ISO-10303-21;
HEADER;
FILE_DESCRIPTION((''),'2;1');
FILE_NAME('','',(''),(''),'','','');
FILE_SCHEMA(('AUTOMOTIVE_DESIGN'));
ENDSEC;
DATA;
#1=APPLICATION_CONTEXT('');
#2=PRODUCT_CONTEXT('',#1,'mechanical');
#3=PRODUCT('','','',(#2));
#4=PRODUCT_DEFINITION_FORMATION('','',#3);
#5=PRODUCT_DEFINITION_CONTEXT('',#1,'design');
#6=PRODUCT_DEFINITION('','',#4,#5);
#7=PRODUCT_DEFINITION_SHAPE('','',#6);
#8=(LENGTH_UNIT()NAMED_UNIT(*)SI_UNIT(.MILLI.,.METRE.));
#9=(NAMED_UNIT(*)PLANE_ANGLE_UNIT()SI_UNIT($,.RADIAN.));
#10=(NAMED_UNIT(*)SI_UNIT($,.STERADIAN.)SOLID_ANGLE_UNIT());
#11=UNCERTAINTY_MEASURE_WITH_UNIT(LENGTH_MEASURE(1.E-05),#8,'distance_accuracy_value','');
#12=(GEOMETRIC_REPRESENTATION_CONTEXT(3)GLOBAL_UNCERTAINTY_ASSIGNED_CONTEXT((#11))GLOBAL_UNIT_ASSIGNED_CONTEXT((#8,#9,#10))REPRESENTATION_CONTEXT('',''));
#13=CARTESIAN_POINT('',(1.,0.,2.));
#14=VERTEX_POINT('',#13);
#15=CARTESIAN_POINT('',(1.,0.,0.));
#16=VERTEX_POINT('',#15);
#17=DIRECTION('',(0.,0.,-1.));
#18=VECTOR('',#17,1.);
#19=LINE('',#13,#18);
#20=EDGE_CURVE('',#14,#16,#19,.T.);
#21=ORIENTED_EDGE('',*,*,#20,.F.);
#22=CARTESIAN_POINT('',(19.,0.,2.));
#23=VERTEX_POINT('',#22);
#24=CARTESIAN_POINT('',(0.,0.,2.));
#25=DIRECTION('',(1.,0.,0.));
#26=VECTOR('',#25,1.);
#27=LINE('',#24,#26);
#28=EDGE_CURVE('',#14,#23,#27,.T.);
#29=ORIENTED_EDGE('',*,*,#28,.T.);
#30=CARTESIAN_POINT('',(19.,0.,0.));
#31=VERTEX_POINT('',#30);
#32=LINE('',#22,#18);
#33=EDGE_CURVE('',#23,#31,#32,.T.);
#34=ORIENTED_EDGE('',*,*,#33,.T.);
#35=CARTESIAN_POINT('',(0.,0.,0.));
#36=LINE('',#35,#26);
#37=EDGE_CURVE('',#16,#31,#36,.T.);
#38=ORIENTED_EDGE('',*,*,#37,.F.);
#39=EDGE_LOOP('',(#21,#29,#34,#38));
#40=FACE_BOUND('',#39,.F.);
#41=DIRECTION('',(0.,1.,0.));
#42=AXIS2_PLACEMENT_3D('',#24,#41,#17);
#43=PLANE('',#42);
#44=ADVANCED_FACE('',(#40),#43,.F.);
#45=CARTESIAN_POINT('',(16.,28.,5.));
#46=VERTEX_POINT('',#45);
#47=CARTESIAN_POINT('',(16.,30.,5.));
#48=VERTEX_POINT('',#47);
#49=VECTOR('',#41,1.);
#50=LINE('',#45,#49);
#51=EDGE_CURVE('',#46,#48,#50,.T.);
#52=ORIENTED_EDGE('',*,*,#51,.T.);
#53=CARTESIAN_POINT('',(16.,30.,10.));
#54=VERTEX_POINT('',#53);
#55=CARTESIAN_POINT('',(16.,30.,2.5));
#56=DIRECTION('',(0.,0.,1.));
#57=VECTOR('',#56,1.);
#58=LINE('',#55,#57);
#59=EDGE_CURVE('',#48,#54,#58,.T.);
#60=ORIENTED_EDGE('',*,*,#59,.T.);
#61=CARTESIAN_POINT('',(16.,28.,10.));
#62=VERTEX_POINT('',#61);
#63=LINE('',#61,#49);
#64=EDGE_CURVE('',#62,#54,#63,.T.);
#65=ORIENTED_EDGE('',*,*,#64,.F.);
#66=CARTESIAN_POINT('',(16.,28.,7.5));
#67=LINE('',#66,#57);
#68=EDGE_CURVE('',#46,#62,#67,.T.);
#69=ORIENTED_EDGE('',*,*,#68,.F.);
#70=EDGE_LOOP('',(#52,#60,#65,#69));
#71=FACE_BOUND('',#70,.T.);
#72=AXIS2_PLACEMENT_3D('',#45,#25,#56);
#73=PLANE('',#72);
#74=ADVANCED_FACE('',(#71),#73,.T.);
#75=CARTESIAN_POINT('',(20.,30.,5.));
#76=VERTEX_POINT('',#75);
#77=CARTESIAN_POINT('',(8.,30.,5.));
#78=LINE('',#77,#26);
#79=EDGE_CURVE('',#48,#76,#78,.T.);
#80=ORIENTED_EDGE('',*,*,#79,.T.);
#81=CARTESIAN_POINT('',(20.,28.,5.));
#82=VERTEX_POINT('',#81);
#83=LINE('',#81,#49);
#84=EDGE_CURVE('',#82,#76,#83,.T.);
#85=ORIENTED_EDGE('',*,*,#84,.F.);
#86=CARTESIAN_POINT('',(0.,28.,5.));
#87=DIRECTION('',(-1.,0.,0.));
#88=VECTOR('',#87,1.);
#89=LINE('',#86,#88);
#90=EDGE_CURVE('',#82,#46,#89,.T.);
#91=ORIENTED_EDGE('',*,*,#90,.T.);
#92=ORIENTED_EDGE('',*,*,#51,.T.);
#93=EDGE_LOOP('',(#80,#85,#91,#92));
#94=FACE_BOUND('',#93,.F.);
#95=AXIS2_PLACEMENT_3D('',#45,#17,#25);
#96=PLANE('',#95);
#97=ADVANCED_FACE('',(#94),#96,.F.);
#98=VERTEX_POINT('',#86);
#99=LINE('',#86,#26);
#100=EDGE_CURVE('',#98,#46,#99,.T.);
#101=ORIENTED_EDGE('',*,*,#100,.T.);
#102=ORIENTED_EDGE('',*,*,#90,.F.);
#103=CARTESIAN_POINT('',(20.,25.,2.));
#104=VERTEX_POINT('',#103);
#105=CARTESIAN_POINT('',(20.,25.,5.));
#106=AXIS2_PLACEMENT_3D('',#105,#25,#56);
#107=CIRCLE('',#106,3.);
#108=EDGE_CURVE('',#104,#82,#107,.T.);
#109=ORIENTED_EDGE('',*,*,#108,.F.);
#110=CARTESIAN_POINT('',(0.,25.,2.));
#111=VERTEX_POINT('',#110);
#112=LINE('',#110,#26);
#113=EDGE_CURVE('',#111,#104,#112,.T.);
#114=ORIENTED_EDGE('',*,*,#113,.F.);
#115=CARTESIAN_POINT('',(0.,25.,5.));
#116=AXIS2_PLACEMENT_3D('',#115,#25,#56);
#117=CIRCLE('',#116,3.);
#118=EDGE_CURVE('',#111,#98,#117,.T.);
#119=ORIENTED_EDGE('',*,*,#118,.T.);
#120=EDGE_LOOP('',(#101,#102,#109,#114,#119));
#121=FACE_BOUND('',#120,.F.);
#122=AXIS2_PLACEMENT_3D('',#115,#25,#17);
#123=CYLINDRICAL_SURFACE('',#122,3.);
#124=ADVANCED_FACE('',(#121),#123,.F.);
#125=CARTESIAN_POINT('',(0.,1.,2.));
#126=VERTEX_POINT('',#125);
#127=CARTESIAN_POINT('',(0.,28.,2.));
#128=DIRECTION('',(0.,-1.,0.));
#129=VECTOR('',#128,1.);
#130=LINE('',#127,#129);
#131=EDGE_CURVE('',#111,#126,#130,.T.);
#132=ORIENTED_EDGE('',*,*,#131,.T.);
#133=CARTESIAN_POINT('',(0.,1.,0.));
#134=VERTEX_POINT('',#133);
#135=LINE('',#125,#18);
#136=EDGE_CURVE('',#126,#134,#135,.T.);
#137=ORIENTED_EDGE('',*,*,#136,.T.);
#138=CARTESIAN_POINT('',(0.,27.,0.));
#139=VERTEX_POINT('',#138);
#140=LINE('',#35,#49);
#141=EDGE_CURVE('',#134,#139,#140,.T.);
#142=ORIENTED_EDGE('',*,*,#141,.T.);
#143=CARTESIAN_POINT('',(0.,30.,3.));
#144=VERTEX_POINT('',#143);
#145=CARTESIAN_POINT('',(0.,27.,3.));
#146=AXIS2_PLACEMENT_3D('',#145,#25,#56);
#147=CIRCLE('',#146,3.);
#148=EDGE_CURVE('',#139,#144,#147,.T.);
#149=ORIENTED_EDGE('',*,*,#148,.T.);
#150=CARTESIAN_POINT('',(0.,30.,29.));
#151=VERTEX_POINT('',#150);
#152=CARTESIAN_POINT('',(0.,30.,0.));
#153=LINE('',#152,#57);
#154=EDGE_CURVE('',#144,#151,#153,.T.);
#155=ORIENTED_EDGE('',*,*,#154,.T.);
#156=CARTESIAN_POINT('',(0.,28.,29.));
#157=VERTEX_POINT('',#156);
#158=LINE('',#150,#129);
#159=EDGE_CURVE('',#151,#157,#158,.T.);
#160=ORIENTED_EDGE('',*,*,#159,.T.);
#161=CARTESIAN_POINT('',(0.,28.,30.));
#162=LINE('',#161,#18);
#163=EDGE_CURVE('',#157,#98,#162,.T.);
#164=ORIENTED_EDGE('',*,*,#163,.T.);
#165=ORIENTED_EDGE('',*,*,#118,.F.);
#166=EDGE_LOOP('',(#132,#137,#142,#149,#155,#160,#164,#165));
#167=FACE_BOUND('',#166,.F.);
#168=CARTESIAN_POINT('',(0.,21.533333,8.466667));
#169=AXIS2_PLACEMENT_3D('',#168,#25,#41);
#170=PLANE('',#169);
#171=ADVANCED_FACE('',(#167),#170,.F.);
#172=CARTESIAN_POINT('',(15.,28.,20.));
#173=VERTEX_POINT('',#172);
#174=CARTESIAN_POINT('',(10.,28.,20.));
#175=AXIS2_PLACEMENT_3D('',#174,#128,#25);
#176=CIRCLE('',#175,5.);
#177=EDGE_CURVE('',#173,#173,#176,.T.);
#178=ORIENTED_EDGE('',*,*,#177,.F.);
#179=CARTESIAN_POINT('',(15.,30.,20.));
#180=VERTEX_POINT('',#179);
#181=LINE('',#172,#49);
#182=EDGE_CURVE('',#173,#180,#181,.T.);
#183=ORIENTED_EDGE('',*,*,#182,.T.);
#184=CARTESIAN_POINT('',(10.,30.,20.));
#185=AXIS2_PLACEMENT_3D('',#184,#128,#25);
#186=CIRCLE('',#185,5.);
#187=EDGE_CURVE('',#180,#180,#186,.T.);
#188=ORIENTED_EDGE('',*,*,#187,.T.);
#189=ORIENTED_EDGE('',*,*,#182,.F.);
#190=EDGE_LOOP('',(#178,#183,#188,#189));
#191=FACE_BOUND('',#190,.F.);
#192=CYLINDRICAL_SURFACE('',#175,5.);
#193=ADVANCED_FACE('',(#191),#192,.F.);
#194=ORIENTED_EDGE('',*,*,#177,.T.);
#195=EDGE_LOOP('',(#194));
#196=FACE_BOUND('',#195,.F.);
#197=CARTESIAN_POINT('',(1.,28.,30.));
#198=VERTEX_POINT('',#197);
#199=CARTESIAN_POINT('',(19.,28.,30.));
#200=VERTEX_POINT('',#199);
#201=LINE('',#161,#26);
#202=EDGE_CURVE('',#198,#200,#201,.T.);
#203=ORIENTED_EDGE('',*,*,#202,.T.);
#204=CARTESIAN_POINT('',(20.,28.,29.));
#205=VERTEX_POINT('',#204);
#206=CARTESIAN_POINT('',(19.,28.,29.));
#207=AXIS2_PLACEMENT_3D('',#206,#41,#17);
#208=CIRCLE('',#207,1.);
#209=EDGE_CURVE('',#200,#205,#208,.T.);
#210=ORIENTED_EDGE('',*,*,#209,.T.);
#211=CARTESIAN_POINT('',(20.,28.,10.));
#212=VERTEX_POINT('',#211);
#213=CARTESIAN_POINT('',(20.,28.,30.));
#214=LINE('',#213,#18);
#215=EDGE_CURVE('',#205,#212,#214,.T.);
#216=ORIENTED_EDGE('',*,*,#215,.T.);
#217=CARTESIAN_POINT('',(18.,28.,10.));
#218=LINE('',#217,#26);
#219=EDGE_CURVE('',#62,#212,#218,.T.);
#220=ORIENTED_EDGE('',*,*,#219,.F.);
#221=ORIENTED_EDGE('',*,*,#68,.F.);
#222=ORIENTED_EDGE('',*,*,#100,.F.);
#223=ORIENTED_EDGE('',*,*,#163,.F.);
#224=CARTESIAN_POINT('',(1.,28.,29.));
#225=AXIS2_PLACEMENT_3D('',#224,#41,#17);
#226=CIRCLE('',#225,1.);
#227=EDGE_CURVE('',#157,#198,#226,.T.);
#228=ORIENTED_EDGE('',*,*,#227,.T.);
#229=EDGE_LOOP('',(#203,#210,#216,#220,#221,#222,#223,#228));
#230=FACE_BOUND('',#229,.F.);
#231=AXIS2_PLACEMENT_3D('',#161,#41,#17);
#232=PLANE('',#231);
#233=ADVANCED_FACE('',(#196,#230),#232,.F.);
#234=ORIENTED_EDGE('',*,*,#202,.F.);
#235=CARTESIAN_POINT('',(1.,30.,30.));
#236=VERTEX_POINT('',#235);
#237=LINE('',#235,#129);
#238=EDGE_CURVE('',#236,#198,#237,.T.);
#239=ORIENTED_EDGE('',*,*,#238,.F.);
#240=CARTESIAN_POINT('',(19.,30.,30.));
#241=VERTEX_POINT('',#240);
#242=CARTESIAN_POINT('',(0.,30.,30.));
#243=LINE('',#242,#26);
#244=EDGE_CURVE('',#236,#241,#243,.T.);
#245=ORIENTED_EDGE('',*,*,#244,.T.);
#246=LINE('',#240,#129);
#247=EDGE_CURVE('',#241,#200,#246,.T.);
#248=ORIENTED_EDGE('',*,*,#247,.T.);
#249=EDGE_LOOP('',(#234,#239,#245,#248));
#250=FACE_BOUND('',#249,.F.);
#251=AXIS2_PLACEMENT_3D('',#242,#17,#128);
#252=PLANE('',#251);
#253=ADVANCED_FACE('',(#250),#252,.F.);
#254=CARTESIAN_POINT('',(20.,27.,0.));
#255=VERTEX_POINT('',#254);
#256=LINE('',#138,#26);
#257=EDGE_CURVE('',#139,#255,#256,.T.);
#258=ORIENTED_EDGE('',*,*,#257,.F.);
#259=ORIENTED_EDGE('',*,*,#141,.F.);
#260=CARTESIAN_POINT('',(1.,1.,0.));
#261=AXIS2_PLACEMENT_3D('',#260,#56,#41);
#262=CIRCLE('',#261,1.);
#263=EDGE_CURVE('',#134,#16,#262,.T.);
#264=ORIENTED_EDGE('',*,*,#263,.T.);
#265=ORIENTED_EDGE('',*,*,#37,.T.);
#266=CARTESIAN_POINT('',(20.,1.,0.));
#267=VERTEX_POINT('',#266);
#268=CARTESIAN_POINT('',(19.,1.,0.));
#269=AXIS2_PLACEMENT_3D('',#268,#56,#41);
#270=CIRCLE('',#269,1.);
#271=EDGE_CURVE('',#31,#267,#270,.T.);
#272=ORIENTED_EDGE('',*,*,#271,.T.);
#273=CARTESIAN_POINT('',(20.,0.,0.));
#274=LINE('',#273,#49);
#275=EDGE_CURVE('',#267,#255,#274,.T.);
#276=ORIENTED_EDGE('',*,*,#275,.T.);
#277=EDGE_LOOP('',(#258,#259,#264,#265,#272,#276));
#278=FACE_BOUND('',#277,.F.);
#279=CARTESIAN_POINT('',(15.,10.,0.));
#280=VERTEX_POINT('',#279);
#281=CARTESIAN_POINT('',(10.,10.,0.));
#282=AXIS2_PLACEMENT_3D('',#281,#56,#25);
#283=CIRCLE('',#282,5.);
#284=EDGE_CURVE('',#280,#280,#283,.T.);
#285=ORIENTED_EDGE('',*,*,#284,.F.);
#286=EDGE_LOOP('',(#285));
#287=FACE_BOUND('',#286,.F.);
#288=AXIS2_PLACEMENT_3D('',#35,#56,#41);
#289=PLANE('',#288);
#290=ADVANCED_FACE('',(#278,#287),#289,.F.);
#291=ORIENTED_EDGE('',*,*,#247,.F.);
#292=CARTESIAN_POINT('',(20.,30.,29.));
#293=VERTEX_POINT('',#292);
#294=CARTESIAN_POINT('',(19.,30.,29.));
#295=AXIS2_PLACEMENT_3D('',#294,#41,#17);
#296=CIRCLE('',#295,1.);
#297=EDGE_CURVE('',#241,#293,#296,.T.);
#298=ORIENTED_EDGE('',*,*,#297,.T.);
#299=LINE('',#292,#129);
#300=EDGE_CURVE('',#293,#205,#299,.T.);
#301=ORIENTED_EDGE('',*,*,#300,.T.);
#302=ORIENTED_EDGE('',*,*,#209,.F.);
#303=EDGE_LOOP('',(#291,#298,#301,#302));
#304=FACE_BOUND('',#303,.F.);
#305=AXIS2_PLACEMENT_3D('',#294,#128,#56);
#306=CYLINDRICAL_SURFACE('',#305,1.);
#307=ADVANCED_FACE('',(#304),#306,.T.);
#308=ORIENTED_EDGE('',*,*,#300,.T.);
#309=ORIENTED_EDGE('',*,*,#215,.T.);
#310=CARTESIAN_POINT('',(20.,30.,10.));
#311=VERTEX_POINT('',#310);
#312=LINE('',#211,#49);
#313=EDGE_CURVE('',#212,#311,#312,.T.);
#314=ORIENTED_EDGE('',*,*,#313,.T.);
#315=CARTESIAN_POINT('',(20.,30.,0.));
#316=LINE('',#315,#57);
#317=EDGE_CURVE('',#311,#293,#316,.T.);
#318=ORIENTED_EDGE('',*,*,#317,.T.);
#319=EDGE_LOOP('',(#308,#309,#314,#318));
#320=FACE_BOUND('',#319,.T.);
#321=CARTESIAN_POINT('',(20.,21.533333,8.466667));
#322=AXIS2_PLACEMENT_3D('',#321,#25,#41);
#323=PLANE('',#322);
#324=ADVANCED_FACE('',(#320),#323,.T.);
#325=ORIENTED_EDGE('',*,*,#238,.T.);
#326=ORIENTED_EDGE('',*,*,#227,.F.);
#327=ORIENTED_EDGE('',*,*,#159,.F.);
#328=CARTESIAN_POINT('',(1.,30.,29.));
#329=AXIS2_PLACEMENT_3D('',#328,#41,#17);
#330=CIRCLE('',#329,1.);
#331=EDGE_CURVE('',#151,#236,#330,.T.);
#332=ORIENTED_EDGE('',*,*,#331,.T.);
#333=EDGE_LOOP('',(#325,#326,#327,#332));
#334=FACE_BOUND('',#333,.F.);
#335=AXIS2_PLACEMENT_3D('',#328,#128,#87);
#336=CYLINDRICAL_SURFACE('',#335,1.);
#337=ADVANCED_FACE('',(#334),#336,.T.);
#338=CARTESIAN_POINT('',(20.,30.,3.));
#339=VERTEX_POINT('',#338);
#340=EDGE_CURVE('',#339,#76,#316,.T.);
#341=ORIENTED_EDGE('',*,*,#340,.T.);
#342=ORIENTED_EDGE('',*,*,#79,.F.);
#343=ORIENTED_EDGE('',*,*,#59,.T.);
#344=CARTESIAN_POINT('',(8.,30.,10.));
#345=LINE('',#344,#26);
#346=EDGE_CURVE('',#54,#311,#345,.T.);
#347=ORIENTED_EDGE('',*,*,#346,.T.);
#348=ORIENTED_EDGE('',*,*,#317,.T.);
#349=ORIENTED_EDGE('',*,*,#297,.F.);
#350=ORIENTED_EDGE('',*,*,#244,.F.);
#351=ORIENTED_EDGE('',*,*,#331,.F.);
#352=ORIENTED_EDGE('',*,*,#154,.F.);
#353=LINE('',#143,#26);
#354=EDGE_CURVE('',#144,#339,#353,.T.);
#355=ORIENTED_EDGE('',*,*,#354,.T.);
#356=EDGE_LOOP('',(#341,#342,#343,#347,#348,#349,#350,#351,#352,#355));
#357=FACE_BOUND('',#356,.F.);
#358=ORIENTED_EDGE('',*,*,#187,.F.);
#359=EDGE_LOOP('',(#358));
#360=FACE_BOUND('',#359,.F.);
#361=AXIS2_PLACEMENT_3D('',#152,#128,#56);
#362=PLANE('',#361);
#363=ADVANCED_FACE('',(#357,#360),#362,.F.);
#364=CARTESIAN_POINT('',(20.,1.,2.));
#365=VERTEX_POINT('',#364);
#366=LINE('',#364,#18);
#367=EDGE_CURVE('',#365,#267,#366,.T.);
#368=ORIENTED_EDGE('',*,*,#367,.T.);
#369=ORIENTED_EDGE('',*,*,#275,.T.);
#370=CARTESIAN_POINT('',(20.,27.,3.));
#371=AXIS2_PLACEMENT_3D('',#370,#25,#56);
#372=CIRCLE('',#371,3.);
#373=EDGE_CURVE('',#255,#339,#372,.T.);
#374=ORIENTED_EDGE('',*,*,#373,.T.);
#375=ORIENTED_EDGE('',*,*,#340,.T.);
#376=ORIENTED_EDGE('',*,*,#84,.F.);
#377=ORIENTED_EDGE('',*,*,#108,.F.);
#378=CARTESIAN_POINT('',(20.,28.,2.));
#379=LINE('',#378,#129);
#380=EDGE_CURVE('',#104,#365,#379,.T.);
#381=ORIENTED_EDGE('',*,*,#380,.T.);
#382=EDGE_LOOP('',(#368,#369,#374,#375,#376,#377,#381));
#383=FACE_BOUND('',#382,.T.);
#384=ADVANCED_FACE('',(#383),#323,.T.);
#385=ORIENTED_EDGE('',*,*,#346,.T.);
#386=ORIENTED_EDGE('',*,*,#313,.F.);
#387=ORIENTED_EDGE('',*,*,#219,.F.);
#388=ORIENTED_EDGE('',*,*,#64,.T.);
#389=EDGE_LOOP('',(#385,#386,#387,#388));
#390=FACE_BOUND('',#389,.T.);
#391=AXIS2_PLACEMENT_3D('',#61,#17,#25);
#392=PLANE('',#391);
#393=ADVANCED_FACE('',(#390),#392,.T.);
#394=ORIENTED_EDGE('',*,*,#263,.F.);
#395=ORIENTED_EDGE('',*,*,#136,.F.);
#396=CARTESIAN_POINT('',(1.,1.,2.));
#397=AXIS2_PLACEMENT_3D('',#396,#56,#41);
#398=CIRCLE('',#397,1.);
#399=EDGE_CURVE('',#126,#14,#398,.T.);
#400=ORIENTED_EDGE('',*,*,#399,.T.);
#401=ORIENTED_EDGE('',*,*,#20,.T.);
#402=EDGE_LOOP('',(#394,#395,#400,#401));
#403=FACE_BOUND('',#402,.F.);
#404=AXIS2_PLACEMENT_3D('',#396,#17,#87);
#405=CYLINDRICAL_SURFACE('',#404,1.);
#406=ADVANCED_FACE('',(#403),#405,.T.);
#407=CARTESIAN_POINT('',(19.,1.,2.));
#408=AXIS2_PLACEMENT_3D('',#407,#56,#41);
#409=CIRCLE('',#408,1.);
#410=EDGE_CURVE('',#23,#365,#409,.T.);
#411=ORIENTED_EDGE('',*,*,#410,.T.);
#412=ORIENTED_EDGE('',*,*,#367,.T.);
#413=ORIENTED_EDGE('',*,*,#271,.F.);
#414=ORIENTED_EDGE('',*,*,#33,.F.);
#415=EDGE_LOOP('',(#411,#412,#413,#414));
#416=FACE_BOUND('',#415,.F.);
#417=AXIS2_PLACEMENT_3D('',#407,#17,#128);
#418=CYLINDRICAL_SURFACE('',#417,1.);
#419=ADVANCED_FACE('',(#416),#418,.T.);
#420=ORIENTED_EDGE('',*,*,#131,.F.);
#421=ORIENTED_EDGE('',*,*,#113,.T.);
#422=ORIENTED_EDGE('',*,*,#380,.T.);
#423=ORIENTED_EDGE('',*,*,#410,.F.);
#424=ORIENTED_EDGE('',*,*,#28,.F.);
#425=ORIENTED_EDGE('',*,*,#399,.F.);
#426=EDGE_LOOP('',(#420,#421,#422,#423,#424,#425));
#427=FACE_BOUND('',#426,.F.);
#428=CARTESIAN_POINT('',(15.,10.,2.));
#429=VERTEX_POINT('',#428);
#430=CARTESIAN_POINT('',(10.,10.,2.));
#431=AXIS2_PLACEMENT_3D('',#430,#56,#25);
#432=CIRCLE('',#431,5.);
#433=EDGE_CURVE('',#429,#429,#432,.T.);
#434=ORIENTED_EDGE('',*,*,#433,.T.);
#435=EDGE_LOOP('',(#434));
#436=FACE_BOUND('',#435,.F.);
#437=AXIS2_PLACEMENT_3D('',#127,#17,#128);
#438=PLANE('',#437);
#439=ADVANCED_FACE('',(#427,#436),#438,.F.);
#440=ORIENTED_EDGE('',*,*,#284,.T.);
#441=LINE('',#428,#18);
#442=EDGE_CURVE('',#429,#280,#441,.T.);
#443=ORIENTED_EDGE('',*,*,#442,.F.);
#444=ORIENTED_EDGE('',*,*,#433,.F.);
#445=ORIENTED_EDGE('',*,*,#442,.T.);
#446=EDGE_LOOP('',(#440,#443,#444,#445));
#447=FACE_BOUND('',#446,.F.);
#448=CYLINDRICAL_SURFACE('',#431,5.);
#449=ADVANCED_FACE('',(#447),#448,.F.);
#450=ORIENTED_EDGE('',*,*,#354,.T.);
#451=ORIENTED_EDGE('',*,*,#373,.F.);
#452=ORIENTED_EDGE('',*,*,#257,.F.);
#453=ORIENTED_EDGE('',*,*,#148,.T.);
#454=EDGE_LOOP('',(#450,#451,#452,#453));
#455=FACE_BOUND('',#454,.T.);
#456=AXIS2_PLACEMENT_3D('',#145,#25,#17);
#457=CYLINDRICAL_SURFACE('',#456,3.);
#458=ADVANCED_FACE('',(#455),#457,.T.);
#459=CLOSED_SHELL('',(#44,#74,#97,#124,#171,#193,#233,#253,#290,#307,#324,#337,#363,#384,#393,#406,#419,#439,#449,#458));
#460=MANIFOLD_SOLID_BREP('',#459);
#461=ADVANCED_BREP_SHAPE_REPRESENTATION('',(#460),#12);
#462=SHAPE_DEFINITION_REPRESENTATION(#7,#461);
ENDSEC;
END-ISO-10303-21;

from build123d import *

# Parameters (mm, degrees)
F1_DEPTH = 20
F2_R     = 5
F2_W     = 4
F2_H     = 5
F3_DEPTH = 2.001
F4_R     = 5
F5_DEPTH = 2.001
F6_R     = 3
F7_R     = 1


with BuildPart() as f1:
    # F0 (on Right) → F1 (new body)
    with BuildSketch(Plane.YZ):
        Polygon((0, 2), (0, 0), (30, 0), (30, 30), (28, 30), (28, 2), align=None)
    extrude(amount=F1_DEPTH)

    # F2 (on face) → F3 (cut, through all)
    with BuildSketch(Plane.XZ.offset(-28)):
        with Locations((10, 20)):
            Circle(F2_R)
        with Locations((18, 7.5)):
            Rectangle(F2_W, F2_H)
    extrude(amount=-F3_DEPTH, mode=Mode.SUBTRACT)

    # F4 (on face) → F5 (cut, through all)
    with BuildSketch(Plane.XY.offset(2)):
        with Locations((10, 10)):
            Circle(F4_R)
    extrude(amount=-F5_DEPTH, mode=Mode.SUBTRACT)

    # F6
    f6_edges = [f1.edges().sort_by_distance(p)[0] for p in [
        (10, 28, 2),
        (10, 30, 0),
    ]]
    fillet(f6_edges, radius=F6_R)

    # F7
    f7_edges = [f1.edges().sort_by_distance(p)[0] for p in [
        (0, 0, 1),
        (20, 0, 1),
        (20, 29, 30),
        (0, 29, 30),
    ]]
    fillet(f7_edges, radius=F7_R)


solid = f1.part
